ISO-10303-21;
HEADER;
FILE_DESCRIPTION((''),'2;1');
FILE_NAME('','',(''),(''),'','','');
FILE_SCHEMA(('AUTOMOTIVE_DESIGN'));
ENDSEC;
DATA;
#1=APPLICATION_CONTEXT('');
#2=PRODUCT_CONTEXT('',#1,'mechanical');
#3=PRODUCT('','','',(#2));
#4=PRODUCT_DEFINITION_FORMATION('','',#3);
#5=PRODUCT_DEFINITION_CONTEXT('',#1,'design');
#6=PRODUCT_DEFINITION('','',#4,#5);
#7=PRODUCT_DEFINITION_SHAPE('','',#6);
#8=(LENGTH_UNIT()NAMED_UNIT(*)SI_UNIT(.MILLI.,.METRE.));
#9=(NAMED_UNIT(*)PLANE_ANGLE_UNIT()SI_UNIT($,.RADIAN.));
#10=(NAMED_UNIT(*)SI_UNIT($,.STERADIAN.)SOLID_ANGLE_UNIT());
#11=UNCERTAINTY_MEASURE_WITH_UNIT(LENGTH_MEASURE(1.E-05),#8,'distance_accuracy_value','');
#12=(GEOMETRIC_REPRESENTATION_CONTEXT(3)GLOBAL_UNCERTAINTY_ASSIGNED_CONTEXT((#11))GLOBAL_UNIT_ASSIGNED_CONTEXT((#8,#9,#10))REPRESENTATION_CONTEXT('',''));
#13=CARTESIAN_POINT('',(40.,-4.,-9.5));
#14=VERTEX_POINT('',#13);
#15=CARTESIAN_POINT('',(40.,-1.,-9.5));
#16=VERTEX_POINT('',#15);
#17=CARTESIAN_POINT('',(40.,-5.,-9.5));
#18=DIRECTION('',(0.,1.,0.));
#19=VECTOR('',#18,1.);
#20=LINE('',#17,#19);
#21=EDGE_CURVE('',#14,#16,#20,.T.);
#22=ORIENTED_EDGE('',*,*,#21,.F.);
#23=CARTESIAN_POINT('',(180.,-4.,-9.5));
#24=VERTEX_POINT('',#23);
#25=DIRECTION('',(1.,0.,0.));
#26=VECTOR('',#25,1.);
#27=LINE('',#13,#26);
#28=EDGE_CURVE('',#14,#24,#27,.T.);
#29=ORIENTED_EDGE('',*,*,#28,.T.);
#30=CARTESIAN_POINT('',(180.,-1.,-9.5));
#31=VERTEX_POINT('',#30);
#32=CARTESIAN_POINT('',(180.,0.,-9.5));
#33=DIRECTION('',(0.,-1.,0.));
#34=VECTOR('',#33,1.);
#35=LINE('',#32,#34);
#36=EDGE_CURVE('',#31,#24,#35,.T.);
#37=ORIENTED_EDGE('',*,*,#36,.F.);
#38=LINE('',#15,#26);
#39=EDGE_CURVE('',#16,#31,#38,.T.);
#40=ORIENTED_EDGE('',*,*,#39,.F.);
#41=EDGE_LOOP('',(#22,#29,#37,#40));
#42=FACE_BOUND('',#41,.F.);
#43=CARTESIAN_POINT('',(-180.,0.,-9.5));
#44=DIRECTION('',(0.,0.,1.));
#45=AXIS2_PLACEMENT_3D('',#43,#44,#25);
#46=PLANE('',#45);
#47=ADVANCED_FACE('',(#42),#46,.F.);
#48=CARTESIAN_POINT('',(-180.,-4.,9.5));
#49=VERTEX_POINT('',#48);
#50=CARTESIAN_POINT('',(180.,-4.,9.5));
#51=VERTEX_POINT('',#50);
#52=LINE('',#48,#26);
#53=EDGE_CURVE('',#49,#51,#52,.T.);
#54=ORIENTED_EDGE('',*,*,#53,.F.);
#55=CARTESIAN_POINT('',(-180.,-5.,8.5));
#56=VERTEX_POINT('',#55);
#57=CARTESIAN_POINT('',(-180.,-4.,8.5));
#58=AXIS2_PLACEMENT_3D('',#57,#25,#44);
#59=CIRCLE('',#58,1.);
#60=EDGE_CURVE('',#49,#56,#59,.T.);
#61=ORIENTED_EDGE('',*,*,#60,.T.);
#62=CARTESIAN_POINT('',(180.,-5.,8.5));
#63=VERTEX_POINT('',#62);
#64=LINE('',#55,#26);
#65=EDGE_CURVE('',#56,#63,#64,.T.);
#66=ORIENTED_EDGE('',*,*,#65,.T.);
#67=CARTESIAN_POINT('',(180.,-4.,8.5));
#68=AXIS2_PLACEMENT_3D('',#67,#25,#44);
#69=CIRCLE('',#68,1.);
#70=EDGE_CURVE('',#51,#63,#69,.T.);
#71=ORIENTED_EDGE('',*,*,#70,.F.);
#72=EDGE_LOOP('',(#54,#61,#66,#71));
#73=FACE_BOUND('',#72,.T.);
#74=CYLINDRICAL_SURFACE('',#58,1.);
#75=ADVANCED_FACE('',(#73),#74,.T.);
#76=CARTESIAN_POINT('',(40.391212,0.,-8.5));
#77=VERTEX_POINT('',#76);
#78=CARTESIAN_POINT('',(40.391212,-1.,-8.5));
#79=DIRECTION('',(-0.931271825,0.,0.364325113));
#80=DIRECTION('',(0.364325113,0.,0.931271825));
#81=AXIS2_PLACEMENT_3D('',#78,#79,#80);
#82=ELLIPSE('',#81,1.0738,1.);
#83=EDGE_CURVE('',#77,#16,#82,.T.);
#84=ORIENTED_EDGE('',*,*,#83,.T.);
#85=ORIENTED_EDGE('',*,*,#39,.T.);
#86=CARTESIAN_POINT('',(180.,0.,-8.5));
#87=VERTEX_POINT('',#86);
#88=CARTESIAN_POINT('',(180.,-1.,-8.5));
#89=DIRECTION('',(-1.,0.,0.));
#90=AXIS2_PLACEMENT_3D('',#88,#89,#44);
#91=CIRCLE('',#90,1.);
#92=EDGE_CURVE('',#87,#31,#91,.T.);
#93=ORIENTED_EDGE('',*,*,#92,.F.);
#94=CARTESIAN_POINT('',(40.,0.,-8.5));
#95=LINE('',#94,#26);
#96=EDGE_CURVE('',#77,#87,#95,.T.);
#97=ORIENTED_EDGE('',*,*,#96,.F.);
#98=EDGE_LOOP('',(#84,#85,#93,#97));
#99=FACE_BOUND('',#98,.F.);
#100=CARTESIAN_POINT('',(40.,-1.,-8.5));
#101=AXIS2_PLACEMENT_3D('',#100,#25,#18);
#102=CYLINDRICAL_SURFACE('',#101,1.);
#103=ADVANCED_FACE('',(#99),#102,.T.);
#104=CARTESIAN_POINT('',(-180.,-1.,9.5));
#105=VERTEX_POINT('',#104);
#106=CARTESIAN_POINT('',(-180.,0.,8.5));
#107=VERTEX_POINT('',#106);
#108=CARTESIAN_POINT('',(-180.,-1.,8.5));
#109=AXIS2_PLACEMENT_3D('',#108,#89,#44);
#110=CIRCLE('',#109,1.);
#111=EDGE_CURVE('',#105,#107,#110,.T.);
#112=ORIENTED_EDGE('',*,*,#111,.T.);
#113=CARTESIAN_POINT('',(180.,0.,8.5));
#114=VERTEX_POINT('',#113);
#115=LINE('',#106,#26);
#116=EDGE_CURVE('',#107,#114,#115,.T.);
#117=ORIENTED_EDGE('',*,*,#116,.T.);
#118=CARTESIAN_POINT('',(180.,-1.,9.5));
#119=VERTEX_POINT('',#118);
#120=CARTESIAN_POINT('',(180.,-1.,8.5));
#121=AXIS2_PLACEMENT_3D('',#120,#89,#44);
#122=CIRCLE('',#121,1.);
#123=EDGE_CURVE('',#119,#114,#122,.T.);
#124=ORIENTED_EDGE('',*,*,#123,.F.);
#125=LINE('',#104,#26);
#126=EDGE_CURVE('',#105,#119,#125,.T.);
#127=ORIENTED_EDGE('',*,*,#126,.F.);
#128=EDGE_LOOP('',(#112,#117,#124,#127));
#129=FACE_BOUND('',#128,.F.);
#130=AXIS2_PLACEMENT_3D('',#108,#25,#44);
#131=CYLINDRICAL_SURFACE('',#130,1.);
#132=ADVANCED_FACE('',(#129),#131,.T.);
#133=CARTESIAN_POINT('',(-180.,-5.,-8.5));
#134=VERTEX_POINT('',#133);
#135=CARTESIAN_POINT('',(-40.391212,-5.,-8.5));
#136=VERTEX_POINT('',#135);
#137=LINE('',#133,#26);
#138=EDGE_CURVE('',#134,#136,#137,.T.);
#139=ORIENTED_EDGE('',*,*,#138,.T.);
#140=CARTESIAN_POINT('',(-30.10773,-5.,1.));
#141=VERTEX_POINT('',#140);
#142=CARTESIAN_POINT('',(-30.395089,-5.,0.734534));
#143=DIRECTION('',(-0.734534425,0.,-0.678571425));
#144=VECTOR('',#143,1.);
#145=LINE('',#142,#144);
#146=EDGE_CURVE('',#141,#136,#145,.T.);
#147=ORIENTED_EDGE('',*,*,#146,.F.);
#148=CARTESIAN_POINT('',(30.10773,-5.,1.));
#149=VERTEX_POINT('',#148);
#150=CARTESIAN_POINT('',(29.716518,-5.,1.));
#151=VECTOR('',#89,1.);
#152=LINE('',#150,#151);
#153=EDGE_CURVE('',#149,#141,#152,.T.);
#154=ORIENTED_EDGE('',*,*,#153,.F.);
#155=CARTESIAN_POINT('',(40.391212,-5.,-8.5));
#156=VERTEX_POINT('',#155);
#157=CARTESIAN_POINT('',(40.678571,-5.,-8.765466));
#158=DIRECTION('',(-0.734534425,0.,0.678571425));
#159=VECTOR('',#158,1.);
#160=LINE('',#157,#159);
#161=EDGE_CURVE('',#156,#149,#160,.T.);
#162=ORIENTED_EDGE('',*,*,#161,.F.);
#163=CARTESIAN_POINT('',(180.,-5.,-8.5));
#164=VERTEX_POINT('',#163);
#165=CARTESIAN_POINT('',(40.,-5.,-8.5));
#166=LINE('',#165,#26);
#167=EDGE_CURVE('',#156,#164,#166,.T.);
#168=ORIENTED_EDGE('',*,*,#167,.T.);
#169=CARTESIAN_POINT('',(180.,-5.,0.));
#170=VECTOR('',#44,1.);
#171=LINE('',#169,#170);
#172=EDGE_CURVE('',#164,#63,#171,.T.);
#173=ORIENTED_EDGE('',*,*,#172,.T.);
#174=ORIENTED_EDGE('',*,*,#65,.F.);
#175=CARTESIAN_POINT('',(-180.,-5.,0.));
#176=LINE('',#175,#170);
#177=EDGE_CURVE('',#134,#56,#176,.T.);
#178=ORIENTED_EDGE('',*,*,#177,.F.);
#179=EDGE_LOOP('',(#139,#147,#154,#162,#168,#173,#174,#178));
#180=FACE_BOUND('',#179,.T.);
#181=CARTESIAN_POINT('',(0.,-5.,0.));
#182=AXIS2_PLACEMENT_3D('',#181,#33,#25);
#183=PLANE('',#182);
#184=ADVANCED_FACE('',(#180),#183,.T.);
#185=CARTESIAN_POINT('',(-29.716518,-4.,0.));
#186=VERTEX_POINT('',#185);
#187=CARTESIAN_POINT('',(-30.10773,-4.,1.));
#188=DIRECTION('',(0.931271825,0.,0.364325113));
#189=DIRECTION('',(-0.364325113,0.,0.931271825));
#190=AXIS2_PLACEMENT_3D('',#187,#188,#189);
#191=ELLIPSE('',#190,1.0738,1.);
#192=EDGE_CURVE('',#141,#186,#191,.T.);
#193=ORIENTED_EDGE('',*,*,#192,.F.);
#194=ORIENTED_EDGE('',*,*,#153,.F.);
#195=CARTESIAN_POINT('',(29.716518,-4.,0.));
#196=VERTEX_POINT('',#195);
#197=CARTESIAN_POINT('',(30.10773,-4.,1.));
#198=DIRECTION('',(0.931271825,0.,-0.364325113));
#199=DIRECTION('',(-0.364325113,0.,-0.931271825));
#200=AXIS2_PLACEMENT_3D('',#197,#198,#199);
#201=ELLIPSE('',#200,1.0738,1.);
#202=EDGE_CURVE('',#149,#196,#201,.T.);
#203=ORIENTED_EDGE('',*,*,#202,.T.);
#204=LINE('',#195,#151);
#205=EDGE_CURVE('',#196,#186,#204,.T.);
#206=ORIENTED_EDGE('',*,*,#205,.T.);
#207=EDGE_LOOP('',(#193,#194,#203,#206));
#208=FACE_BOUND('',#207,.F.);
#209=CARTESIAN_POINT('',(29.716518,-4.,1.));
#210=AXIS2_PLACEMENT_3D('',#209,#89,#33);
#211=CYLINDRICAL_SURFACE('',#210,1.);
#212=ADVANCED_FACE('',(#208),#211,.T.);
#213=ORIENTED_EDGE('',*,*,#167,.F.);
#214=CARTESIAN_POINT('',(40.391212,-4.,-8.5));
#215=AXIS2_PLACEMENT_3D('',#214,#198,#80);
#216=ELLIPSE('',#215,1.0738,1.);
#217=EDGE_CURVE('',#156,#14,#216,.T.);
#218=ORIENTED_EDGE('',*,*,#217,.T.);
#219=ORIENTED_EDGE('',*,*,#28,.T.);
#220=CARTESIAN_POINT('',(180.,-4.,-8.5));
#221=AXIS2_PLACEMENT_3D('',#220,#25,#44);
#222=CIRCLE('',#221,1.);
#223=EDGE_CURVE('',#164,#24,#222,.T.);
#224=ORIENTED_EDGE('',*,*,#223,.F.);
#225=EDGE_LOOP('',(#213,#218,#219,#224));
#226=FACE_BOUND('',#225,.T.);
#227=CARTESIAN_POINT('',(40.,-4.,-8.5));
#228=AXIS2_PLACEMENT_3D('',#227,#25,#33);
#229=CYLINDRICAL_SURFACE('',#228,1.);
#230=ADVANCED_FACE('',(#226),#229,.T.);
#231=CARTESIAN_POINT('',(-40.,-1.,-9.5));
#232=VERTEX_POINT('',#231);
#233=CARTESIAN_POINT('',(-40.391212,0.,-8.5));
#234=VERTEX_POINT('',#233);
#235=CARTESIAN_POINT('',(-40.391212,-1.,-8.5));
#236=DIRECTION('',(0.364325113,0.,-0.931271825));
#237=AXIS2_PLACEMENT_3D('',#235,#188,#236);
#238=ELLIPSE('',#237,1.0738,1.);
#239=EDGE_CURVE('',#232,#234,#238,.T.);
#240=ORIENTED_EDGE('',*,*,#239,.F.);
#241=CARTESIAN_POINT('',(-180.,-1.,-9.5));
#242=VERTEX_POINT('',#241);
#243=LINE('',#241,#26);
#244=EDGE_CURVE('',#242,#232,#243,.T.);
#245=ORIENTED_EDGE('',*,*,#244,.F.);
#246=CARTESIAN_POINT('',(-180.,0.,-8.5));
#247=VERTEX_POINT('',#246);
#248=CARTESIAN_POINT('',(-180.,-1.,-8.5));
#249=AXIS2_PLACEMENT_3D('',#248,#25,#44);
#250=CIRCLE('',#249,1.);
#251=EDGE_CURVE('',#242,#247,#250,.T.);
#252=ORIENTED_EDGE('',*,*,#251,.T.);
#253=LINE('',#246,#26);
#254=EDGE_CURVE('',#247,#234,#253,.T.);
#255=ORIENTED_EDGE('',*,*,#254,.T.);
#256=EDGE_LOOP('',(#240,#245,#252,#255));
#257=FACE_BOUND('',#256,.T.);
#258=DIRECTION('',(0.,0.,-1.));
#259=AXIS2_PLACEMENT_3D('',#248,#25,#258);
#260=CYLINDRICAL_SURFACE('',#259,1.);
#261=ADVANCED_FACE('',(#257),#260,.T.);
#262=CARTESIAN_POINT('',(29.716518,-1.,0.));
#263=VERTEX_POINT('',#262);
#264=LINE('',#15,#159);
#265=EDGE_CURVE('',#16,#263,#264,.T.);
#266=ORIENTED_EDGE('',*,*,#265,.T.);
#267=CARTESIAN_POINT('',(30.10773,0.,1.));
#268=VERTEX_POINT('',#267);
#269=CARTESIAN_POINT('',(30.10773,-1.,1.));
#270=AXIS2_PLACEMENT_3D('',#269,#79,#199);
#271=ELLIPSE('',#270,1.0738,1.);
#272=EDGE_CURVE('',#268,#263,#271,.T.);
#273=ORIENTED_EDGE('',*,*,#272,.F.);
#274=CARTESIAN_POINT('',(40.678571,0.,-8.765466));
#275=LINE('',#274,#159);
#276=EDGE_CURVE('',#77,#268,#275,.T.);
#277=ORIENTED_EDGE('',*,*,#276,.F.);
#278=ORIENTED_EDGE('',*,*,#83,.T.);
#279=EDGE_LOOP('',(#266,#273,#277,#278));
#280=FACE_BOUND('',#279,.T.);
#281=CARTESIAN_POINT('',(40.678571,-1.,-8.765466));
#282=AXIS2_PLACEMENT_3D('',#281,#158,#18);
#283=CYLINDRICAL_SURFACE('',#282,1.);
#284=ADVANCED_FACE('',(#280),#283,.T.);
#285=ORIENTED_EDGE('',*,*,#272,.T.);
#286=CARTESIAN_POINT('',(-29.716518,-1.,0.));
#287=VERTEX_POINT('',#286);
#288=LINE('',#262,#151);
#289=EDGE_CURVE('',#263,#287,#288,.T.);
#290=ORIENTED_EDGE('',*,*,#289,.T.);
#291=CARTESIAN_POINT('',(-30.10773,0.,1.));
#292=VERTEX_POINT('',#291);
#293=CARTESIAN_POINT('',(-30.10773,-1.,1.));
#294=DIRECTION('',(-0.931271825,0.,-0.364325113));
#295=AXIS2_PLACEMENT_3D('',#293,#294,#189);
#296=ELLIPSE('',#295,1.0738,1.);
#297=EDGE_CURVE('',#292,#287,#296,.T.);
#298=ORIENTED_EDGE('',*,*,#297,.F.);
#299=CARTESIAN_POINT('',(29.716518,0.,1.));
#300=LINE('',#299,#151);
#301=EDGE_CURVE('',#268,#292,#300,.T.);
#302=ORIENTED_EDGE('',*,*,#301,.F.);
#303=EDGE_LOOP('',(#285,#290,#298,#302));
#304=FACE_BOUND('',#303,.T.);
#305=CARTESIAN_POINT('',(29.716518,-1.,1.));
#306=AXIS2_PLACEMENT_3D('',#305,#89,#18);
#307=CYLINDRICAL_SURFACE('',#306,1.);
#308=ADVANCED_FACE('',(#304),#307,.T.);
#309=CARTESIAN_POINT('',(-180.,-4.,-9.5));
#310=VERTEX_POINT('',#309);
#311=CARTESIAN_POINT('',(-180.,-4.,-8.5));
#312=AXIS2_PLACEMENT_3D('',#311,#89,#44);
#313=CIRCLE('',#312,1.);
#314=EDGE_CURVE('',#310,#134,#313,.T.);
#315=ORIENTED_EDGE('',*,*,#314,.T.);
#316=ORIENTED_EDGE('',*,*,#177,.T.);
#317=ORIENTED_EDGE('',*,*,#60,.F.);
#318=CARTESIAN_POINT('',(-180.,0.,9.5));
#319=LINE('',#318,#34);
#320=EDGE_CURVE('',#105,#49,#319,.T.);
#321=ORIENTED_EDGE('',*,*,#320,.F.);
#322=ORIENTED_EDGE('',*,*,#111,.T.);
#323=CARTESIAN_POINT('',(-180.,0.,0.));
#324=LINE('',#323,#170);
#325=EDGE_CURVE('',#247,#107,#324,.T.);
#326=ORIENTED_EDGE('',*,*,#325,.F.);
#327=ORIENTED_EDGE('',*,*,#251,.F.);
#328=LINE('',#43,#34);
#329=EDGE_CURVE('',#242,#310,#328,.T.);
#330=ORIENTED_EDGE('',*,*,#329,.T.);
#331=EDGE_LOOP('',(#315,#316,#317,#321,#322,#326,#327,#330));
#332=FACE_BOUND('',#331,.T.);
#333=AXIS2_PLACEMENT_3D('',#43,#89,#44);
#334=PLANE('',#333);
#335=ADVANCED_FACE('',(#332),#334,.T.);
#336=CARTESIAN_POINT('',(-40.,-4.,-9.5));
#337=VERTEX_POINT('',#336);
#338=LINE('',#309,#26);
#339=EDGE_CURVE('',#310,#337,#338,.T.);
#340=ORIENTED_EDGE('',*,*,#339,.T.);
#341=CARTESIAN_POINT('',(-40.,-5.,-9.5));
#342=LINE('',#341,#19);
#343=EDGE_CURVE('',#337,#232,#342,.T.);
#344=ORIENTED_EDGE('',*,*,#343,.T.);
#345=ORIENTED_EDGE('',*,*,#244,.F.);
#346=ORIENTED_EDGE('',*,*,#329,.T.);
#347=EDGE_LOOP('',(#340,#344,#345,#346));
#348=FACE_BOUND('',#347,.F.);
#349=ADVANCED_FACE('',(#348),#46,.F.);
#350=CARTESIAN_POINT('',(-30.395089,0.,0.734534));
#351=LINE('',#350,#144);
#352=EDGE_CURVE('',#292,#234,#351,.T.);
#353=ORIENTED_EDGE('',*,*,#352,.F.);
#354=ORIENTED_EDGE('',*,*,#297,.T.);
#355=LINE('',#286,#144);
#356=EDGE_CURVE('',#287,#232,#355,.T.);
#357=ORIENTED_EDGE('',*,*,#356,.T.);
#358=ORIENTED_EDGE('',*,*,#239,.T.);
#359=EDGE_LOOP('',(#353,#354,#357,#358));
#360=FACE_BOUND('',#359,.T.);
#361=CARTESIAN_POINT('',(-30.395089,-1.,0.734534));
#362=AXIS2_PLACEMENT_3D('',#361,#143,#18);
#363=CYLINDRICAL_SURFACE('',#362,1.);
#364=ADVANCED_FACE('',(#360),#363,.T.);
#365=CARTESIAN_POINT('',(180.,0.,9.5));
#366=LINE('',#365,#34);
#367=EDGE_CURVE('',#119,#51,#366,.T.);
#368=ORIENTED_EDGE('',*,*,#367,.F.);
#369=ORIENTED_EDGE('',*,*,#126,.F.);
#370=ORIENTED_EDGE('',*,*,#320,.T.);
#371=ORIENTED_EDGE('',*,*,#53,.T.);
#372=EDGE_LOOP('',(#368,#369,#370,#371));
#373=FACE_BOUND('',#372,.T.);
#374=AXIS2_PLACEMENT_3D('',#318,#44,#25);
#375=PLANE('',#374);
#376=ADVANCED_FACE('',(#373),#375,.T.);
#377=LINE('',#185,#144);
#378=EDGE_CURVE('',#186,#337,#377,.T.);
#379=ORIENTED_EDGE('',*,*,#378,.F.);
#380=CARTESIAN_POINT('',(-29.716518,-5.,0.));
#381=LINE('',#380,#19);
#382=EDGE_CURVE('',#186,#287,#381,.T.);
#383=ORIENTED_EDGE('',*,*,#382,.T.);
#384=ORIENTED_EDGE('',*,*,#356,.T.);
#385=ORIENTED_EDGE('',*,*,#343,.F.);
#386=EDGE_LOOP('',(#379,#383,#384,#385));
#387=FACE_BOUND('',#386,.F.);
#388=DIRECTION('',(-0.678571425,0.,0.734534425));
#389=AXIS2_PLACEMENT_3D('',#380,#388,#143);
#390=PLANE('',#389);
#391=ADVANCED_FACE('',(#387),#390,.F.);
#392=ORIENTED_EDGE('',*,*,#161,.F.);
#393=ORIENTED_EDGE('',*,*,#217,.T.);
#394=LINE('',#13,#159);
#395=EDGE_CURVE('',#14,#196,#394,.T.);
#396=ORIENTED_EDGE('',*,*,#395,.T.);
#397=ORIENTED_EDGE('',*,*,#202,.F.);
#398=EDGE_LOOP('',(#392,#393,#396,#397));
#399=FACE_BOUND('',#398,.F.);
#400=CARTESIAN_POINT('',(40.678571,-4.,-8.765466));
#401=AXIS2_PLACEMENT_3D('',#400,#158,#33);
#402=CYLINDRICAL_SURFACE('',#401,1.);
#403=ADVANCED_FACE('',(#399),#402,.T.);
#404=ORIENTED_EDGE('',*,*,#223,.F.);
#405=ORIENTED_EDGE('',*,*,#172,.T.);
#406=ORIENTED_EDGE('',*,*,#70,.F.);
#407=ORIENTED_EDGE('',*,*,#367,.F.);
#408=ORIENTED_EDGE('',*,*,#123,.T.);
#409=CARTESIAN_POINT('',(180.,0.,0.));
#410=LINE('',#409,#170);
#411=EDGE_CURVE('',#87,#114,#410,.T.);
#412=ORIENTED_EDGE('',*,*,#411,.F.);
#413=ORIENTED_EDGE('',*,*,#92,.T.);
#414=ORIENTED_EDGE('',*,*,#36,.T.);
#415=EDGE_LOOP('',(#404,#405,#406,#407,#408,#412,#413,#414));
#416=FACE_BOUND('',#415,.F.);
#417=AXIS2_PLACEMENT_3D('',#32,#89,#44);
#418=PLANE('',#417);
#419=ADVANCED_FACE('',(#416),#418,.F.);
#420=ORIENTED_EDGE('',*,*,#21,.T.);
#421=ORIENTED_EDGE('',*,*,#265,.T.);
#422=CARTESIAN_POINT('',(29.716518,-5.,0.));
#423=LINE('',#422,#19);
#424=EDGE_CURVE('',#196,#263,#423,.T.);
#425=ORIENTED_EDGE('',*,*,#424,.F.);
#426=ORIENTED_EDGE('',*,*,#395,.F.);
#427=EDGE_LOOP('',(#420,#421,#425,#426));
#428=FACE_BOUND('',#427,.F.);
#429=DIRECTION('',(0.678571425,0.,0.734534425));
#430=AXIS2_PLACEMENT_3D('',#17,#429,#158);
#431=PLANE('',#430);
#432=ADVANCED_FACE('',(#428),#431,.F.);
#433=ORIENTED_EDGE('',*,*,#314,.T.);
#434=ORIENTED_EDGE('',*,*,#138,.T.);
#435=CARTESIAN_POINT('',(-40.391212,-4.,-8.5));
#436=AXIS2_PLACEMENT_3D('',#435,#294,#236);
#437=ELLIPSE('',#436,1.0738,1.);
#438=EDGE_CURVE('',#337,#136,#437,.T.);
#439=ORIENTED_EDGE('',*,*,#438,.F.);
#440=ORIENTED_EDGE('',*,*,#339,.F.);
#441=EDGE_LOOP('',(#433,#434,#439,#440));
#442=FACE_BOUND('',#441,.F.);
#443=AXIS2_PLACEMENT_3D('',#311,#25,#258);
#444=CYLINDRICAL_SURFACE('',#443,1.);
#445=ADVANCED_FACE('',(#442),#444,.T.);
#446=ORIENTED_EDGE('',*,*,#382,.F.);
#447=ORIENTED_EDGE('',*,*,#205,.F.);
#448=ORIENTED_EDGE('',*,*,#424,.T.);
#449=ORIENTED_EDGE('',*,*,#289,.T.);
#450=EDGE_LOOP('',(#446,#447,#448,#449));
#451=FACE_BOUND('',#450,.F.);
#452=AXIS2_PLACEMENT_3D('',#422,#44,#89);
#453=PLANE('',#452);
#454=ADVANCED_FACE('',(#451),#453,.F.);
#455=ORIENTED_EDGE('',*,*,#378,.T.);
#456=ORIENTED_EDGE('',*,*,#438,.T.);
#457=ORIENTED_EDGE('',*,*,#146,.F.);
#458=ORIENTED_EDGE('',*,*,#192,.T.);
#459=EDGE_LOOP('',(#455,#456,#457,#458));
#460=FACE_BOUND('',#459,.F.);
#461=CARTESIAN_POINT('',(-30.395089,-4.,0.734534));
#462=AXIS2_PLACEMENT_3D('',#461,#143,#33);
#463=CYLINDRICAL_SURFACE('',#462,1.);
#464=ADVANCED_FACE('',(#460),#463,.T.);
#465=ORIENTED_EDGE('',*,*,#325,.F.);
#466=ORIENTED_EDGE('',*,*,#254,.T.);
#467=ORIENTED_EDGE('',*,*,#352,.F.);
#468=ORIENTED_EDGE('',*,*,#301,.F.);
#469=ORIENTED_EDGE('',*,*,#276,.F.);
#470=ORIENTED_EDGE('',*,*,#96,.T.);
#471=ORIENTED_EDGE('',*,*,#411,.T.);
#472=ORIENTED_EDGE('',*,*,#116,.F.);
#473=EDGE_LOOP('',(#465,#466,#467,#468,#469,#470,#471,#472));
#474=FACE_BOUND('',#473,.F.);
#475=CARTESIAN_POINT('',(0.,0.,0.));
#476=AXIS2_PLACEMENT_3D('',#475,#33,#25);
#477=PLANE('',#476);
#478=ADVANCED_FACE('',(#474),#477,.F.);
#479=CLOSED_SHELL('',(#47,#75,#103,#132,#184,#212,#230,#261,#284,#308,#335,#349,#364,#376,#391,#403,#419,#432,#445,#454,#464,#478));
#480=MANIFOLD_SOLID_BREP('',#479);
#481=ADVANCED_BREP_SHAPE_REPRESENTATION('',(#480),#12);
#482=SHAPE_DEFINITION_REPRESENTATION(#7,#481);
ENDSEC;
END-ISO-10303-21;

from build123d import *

# Parameters (mm, degrees)
F0_W     = 360
F0_H     = 19
F1_DEPTH = 5
F3_DEPTH = 25
F4_R     = 1


with BuildPart() as f1:
    # F0 (on Front) → F1 (new body)
    with BuildSketch(Plane.XZ):
        Rectangle(F0_W, F0_H)
    extrude(amount=F1_DEPTH)

    # F2 (on face) → F3 (cut)
    with BuildSketch(Plane.XZ.offset(5)):
        Polygon((-29.716518, 0), (-40, -9.5), (40, -9.5), (29.716518, 0), align=None)
    extrude(amount=-F3_DEPTH, mode=Mode.SUBTRACT)

    # F4
    f4_edges = [f1.edges().sort_by_distance(p)[0] for p in [
        (0, -5, 9.5),
        (0, 0, 9.5),
        (110, -5, -9.5),
        (-110, -5, -9.5),
        (0, -5, 0),
        (34.858259, -5, -4.75),
        (-34.858259, -5, -4.75),
        (110, 0, -9.5),
        (-110, 0, -9.5),
        (0, 0, 0),
        (-34.858259, 0, -4.75),
        (34.858259, 0, -4.75),
    ]]
    fillet(f4_edges, radius=F4_R)


solid = f1.part
